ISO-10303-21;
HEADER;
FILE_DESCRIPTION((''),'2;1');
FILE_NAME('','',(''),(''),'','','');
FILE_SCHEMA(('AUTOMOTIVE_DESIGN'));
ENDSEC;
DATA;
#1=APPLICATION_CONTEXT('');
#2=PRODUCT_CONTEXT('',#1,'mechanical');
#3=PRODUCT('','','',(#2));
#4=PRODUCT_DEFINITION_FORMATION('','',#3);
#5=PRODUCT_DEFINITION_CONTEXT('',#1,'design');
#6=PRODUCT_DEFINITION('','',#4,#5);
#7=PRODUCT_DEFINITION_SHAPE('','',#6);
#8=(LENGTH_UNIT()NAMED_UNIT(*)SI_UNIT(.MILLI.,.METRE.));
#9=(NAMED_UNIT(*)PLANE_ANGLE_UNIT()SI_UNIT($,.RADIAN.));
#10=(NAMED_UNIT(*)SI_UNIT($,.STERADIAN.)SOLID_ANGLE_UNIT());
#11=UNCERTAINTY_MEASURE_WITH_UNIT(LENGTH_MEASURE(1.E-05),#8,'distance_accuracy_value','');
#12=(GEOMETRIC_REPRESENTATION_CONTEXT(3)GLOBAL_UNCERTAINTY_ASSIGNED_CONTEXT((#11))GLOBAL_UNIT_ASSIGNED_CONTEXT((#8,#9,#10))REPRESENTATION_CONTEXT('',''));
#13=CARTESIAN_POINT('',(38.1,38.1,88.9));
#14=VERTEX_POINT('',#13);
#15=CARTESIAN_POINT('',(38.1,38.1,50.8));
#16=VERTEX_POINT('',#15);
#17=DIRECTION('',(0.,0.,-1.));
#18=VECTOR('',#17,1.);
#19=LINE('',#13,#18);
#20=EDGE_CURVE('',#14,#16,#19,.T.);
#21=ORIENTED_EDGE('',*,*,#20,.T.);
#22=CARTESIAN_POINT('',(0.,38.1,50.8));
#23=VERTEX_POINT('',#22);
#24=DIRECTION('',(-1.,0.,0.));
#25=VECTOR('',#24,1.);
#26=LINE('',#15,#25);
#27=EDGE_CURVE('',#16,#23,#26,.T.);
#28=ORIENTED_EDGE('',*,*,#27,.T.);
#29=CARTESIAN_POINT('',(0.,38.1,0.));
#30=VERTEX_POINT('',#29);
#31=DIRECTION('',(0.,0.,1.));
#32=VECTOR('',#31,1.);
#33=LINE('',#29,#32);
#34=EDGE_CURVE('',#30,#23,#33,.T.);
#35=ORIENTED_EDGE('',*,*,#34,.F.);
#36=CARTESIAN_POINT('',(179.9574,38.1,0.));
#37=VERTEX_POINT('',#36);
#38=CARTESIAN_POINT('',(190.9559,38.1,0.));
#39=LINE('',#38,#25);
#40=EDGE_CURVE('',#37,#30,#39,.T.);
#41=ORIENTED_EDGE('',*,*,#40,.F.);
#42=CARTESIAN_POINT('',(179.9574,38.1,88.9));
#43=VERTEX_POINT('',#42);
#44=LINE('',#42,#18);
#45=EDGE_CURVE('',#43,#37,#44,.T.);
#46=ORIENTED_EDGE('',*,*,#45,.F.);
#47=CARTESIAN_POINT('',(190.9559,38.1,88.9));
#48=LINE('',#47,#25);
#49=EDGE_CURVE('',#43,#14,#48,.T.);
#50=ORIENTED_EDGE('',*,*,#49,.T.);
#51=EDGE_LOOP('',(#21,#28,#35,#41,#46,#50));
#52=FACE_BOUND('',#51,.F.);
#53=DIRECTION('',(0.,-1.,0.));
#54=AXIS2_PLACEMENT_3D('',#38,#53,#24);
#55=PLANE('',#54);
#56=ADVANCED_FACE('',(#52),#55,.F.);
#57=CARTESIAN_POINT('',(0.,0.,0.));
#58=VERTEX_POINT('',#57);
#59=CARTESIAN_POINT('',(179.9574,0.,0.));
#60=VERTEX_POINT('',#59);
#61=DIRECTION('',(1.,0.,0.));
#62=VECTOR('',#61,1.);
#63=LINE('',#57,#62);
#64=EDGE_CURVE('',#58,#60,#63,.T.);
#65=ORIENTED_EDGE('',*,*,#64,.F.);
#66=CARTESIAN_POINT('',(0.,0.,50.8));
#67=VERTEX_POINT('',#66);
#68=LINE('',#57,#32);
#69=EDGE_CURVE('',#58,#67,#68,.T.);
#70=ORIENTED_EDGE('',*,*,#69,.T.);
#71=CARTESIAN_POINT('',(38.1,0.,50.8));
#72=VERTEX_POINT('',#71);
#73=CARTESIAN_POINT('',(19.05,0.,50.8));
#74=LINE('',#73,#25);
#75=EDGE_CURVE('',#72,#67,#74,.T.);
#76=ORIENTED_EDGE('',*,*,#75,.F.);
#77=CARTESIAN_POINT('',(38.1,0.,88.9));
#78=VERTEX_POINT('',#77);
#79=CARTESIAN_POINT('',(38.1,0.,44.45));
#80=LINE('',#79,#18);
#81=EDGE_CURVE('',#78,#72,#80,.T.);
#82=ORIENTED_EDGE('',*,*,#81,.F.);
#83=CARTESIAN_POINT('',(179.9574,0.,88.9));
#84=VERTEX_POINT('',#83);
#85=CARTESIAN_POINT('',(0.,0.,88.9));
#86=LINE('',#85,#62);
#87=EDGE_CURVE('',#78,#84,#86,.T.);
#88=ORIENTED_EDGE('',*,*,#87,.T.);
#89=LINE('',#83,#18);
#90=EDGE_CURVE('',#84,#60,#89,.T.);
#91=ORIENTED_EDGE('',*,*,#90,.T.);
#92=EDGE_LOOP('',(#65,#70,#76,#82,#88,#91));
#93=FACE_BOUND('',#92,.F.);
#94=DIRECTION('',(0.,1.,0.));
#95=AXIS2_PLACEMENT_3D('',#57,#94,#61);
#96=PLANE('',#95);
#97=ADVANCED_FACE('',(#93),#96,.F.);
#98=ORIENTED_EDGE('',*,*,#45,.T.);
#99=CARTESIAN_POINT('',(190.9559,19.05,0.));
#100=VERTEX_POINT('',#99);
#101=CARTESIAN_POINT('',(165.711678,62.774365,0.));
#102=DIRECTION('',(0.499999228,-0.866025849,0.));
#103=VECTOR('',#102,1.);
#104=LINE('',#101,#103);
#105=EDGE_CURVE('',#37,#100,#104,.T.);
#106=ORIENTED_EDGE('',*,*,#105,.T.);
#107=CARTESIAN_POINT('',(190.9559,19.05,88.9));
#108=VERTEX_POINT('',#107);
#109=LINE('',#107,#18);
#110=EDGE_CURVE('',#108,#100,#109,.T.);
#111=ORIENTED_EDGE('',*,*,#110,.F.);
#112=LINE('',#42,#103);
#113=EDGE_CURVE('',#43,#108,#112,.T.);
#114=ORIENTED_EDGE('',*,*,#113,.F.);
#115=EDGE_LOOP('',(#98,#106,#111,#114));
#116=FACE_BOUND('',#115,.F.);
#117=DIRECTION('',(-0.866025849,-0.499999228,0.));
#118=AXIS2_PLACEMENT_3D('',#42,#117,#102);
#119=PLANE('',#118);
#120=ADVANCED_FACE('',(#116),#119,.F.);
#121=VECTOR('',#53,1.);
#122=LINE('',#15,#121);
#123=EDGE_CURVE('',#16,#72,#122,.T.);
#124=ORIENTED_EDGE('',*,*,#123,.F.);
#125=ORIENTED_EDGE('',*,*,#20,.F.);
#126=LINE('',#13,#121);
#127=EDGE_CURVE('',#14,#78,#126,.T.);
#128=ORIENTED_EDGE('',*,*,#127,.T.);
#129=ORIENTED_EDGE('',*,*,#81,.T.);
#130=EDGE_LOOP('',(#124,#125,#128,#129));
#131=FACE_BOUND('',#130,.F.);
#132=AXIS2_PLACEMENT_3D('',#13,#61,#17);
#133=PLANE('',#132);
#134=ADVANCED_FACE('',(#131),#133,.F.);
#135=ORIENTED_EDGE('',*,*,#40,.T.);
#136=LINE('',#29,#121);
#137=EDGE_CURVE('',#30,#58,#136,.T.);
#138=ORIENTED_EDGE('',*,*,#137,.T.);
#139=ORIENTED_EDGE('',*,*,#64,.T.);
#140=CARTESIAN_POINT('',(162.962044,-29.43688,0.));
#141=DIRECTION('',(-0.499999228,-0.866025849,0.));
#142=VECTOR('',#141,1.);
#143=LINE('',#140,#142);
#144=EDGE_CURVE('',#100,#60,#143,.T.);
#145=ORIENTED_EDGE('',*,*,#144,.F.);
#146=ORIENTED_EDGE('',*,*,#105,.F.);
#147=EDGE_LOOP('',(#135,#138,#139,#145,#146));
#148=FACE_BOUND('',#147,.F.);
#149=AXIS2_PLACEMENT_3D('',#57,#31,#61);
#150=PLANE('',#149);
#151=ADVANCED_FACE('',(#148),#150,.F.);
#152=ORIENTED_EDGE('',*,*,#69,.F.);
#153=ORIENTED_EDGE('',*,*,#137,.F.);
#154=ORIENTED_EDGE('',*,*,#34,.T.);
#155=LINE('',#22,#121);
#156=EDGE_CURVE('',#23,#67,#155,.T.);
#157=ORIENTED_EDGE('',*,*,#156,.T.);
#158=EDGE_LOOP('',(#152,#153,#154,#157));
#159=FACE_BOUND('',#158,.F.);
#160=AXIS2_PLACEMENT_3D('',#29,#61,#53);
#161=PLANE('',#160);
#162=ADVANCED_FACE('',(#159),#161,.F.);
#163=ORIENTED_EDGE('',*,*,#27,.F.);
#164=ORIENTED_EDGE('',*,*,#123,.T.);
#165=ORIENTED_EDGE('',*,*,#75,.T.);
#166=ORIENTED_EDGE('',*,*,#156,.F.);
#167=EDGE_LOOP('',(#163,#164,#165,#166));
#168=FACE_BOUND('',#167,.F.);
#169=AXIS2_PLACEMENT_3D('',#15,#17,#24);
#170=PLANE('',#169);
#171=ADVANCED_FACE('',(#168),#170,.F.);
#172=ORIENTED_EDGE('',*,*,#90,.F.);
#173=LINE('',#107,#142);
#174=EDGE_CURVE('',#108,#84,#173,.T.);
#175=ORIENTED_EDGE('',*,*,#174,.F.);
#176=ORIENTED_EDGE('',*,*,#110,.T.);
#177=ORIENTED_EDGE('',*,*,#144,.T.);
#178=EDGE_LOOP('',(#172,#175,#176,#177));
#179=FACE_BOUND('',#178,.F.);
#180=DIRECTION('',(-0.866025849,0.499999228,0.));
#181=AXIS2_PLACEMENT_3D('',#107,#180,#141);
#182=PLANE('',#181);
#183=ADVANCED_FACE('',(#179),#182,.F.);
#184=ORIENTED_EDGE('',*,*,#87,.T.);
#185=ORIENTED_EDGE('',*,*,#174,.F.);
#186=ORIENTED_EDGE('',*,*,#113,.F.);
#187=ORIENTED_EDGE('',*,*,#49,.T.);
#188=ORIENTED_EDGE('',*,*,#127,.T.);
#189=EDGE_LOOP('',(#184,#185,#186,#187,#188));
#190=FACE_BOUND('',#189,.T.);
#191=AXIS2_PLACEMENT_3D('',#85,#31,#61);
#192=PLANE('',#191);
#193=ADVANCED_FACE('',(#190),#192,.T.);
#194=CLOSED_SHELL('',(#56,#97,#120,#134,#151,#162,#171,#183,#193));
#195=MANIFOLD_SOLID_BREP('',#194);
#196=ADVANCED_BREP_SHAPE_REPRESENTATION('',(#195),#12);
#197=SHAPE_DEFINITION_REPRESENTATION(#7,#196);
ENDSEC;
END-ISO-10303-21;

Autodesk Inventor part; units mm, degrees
ref_plane "YZ Plane" through (0, 0, 0) normal (1, 0, 0) x (0, 1, 0)
ref_plane "XZ Plane" through (0, 0, 0) normal (0, 1, 0) x (-1, 0, 0)
ref_plane "XY Plane" through (0, 0, 0) normal (0, 0, 1) x (1, 0, 0)
sketch "Sketch1" plane through (0, 0, 0) normal (0, 0, 1) x (1, 0, 0)
  line L0 (0, 0) -> (190.9559, 0)
  line L1 (190.9559, 0) -> (190.9559, 38.1)
  line L2 (190.9559, 38.1) -> (0, 38.1)
  line L3 (0, 38.1) -> (0, 0)
  dimension "d0" = 190.9559
  dimension "d1" = 38.1
extrude "Extrusion1" add sketch "Sketch1" along normal blind 88.9
sketch "Sketch2" plane through (0, 38.1, 0) normal (0, 1, 0) x (1, 0, 0)
  line L0 (0, -88.9) -> (190.9559, -88.9) projected
  line L1 (0, -88.9) -> (38.1, -88.9)
  line L2 (38.1, -88.9) -> (38.1, -50.8)
  line L3 (38.1, -50.8) -> (0, -50.8)
  line L4 (0, -50.8) -> (0, -88.9)
  point P0 (0, 0)
  dimension "d4" = 38.1
  dimension "d5" = 38.1
extrude "Extrusion2" cut sketch "Sketch2" against normal through all
sketch "Sketch4" plane through (0, 0, 88.9) normal (0, 0, 1) x (1, 0, 0)
  line L0 (190.9559, 38.1) -> (0, 38.1) projected
  line L1 (179.9574, 38.1) -> (190.9559, 19.05)
  line L2 (190.9559, 0) -> (190.9559, 38.1) projected
  line L3 (190.9559, 19.05) -> (179.9574, 0)
  line L4 (0, 0) -> (190.9559, 0) projected
  line L5 (179.9574, 0) -> (190.9559, 0)
  line L6 (190.9559, 0) -> (190.9559, 19.05)
  line L7 (190.9559, 38.1) -> (190.9559, 19.05)
  line L8 (179.9574, 38.1) -> (190.9559, 38.1)
  dimension "d12" = 60
  dimension "d13" = 60
extrude "Extrusion4" cut sketch "Sketch4" against normal through all
properties part number "BO04" material "Wood (Oak)"
